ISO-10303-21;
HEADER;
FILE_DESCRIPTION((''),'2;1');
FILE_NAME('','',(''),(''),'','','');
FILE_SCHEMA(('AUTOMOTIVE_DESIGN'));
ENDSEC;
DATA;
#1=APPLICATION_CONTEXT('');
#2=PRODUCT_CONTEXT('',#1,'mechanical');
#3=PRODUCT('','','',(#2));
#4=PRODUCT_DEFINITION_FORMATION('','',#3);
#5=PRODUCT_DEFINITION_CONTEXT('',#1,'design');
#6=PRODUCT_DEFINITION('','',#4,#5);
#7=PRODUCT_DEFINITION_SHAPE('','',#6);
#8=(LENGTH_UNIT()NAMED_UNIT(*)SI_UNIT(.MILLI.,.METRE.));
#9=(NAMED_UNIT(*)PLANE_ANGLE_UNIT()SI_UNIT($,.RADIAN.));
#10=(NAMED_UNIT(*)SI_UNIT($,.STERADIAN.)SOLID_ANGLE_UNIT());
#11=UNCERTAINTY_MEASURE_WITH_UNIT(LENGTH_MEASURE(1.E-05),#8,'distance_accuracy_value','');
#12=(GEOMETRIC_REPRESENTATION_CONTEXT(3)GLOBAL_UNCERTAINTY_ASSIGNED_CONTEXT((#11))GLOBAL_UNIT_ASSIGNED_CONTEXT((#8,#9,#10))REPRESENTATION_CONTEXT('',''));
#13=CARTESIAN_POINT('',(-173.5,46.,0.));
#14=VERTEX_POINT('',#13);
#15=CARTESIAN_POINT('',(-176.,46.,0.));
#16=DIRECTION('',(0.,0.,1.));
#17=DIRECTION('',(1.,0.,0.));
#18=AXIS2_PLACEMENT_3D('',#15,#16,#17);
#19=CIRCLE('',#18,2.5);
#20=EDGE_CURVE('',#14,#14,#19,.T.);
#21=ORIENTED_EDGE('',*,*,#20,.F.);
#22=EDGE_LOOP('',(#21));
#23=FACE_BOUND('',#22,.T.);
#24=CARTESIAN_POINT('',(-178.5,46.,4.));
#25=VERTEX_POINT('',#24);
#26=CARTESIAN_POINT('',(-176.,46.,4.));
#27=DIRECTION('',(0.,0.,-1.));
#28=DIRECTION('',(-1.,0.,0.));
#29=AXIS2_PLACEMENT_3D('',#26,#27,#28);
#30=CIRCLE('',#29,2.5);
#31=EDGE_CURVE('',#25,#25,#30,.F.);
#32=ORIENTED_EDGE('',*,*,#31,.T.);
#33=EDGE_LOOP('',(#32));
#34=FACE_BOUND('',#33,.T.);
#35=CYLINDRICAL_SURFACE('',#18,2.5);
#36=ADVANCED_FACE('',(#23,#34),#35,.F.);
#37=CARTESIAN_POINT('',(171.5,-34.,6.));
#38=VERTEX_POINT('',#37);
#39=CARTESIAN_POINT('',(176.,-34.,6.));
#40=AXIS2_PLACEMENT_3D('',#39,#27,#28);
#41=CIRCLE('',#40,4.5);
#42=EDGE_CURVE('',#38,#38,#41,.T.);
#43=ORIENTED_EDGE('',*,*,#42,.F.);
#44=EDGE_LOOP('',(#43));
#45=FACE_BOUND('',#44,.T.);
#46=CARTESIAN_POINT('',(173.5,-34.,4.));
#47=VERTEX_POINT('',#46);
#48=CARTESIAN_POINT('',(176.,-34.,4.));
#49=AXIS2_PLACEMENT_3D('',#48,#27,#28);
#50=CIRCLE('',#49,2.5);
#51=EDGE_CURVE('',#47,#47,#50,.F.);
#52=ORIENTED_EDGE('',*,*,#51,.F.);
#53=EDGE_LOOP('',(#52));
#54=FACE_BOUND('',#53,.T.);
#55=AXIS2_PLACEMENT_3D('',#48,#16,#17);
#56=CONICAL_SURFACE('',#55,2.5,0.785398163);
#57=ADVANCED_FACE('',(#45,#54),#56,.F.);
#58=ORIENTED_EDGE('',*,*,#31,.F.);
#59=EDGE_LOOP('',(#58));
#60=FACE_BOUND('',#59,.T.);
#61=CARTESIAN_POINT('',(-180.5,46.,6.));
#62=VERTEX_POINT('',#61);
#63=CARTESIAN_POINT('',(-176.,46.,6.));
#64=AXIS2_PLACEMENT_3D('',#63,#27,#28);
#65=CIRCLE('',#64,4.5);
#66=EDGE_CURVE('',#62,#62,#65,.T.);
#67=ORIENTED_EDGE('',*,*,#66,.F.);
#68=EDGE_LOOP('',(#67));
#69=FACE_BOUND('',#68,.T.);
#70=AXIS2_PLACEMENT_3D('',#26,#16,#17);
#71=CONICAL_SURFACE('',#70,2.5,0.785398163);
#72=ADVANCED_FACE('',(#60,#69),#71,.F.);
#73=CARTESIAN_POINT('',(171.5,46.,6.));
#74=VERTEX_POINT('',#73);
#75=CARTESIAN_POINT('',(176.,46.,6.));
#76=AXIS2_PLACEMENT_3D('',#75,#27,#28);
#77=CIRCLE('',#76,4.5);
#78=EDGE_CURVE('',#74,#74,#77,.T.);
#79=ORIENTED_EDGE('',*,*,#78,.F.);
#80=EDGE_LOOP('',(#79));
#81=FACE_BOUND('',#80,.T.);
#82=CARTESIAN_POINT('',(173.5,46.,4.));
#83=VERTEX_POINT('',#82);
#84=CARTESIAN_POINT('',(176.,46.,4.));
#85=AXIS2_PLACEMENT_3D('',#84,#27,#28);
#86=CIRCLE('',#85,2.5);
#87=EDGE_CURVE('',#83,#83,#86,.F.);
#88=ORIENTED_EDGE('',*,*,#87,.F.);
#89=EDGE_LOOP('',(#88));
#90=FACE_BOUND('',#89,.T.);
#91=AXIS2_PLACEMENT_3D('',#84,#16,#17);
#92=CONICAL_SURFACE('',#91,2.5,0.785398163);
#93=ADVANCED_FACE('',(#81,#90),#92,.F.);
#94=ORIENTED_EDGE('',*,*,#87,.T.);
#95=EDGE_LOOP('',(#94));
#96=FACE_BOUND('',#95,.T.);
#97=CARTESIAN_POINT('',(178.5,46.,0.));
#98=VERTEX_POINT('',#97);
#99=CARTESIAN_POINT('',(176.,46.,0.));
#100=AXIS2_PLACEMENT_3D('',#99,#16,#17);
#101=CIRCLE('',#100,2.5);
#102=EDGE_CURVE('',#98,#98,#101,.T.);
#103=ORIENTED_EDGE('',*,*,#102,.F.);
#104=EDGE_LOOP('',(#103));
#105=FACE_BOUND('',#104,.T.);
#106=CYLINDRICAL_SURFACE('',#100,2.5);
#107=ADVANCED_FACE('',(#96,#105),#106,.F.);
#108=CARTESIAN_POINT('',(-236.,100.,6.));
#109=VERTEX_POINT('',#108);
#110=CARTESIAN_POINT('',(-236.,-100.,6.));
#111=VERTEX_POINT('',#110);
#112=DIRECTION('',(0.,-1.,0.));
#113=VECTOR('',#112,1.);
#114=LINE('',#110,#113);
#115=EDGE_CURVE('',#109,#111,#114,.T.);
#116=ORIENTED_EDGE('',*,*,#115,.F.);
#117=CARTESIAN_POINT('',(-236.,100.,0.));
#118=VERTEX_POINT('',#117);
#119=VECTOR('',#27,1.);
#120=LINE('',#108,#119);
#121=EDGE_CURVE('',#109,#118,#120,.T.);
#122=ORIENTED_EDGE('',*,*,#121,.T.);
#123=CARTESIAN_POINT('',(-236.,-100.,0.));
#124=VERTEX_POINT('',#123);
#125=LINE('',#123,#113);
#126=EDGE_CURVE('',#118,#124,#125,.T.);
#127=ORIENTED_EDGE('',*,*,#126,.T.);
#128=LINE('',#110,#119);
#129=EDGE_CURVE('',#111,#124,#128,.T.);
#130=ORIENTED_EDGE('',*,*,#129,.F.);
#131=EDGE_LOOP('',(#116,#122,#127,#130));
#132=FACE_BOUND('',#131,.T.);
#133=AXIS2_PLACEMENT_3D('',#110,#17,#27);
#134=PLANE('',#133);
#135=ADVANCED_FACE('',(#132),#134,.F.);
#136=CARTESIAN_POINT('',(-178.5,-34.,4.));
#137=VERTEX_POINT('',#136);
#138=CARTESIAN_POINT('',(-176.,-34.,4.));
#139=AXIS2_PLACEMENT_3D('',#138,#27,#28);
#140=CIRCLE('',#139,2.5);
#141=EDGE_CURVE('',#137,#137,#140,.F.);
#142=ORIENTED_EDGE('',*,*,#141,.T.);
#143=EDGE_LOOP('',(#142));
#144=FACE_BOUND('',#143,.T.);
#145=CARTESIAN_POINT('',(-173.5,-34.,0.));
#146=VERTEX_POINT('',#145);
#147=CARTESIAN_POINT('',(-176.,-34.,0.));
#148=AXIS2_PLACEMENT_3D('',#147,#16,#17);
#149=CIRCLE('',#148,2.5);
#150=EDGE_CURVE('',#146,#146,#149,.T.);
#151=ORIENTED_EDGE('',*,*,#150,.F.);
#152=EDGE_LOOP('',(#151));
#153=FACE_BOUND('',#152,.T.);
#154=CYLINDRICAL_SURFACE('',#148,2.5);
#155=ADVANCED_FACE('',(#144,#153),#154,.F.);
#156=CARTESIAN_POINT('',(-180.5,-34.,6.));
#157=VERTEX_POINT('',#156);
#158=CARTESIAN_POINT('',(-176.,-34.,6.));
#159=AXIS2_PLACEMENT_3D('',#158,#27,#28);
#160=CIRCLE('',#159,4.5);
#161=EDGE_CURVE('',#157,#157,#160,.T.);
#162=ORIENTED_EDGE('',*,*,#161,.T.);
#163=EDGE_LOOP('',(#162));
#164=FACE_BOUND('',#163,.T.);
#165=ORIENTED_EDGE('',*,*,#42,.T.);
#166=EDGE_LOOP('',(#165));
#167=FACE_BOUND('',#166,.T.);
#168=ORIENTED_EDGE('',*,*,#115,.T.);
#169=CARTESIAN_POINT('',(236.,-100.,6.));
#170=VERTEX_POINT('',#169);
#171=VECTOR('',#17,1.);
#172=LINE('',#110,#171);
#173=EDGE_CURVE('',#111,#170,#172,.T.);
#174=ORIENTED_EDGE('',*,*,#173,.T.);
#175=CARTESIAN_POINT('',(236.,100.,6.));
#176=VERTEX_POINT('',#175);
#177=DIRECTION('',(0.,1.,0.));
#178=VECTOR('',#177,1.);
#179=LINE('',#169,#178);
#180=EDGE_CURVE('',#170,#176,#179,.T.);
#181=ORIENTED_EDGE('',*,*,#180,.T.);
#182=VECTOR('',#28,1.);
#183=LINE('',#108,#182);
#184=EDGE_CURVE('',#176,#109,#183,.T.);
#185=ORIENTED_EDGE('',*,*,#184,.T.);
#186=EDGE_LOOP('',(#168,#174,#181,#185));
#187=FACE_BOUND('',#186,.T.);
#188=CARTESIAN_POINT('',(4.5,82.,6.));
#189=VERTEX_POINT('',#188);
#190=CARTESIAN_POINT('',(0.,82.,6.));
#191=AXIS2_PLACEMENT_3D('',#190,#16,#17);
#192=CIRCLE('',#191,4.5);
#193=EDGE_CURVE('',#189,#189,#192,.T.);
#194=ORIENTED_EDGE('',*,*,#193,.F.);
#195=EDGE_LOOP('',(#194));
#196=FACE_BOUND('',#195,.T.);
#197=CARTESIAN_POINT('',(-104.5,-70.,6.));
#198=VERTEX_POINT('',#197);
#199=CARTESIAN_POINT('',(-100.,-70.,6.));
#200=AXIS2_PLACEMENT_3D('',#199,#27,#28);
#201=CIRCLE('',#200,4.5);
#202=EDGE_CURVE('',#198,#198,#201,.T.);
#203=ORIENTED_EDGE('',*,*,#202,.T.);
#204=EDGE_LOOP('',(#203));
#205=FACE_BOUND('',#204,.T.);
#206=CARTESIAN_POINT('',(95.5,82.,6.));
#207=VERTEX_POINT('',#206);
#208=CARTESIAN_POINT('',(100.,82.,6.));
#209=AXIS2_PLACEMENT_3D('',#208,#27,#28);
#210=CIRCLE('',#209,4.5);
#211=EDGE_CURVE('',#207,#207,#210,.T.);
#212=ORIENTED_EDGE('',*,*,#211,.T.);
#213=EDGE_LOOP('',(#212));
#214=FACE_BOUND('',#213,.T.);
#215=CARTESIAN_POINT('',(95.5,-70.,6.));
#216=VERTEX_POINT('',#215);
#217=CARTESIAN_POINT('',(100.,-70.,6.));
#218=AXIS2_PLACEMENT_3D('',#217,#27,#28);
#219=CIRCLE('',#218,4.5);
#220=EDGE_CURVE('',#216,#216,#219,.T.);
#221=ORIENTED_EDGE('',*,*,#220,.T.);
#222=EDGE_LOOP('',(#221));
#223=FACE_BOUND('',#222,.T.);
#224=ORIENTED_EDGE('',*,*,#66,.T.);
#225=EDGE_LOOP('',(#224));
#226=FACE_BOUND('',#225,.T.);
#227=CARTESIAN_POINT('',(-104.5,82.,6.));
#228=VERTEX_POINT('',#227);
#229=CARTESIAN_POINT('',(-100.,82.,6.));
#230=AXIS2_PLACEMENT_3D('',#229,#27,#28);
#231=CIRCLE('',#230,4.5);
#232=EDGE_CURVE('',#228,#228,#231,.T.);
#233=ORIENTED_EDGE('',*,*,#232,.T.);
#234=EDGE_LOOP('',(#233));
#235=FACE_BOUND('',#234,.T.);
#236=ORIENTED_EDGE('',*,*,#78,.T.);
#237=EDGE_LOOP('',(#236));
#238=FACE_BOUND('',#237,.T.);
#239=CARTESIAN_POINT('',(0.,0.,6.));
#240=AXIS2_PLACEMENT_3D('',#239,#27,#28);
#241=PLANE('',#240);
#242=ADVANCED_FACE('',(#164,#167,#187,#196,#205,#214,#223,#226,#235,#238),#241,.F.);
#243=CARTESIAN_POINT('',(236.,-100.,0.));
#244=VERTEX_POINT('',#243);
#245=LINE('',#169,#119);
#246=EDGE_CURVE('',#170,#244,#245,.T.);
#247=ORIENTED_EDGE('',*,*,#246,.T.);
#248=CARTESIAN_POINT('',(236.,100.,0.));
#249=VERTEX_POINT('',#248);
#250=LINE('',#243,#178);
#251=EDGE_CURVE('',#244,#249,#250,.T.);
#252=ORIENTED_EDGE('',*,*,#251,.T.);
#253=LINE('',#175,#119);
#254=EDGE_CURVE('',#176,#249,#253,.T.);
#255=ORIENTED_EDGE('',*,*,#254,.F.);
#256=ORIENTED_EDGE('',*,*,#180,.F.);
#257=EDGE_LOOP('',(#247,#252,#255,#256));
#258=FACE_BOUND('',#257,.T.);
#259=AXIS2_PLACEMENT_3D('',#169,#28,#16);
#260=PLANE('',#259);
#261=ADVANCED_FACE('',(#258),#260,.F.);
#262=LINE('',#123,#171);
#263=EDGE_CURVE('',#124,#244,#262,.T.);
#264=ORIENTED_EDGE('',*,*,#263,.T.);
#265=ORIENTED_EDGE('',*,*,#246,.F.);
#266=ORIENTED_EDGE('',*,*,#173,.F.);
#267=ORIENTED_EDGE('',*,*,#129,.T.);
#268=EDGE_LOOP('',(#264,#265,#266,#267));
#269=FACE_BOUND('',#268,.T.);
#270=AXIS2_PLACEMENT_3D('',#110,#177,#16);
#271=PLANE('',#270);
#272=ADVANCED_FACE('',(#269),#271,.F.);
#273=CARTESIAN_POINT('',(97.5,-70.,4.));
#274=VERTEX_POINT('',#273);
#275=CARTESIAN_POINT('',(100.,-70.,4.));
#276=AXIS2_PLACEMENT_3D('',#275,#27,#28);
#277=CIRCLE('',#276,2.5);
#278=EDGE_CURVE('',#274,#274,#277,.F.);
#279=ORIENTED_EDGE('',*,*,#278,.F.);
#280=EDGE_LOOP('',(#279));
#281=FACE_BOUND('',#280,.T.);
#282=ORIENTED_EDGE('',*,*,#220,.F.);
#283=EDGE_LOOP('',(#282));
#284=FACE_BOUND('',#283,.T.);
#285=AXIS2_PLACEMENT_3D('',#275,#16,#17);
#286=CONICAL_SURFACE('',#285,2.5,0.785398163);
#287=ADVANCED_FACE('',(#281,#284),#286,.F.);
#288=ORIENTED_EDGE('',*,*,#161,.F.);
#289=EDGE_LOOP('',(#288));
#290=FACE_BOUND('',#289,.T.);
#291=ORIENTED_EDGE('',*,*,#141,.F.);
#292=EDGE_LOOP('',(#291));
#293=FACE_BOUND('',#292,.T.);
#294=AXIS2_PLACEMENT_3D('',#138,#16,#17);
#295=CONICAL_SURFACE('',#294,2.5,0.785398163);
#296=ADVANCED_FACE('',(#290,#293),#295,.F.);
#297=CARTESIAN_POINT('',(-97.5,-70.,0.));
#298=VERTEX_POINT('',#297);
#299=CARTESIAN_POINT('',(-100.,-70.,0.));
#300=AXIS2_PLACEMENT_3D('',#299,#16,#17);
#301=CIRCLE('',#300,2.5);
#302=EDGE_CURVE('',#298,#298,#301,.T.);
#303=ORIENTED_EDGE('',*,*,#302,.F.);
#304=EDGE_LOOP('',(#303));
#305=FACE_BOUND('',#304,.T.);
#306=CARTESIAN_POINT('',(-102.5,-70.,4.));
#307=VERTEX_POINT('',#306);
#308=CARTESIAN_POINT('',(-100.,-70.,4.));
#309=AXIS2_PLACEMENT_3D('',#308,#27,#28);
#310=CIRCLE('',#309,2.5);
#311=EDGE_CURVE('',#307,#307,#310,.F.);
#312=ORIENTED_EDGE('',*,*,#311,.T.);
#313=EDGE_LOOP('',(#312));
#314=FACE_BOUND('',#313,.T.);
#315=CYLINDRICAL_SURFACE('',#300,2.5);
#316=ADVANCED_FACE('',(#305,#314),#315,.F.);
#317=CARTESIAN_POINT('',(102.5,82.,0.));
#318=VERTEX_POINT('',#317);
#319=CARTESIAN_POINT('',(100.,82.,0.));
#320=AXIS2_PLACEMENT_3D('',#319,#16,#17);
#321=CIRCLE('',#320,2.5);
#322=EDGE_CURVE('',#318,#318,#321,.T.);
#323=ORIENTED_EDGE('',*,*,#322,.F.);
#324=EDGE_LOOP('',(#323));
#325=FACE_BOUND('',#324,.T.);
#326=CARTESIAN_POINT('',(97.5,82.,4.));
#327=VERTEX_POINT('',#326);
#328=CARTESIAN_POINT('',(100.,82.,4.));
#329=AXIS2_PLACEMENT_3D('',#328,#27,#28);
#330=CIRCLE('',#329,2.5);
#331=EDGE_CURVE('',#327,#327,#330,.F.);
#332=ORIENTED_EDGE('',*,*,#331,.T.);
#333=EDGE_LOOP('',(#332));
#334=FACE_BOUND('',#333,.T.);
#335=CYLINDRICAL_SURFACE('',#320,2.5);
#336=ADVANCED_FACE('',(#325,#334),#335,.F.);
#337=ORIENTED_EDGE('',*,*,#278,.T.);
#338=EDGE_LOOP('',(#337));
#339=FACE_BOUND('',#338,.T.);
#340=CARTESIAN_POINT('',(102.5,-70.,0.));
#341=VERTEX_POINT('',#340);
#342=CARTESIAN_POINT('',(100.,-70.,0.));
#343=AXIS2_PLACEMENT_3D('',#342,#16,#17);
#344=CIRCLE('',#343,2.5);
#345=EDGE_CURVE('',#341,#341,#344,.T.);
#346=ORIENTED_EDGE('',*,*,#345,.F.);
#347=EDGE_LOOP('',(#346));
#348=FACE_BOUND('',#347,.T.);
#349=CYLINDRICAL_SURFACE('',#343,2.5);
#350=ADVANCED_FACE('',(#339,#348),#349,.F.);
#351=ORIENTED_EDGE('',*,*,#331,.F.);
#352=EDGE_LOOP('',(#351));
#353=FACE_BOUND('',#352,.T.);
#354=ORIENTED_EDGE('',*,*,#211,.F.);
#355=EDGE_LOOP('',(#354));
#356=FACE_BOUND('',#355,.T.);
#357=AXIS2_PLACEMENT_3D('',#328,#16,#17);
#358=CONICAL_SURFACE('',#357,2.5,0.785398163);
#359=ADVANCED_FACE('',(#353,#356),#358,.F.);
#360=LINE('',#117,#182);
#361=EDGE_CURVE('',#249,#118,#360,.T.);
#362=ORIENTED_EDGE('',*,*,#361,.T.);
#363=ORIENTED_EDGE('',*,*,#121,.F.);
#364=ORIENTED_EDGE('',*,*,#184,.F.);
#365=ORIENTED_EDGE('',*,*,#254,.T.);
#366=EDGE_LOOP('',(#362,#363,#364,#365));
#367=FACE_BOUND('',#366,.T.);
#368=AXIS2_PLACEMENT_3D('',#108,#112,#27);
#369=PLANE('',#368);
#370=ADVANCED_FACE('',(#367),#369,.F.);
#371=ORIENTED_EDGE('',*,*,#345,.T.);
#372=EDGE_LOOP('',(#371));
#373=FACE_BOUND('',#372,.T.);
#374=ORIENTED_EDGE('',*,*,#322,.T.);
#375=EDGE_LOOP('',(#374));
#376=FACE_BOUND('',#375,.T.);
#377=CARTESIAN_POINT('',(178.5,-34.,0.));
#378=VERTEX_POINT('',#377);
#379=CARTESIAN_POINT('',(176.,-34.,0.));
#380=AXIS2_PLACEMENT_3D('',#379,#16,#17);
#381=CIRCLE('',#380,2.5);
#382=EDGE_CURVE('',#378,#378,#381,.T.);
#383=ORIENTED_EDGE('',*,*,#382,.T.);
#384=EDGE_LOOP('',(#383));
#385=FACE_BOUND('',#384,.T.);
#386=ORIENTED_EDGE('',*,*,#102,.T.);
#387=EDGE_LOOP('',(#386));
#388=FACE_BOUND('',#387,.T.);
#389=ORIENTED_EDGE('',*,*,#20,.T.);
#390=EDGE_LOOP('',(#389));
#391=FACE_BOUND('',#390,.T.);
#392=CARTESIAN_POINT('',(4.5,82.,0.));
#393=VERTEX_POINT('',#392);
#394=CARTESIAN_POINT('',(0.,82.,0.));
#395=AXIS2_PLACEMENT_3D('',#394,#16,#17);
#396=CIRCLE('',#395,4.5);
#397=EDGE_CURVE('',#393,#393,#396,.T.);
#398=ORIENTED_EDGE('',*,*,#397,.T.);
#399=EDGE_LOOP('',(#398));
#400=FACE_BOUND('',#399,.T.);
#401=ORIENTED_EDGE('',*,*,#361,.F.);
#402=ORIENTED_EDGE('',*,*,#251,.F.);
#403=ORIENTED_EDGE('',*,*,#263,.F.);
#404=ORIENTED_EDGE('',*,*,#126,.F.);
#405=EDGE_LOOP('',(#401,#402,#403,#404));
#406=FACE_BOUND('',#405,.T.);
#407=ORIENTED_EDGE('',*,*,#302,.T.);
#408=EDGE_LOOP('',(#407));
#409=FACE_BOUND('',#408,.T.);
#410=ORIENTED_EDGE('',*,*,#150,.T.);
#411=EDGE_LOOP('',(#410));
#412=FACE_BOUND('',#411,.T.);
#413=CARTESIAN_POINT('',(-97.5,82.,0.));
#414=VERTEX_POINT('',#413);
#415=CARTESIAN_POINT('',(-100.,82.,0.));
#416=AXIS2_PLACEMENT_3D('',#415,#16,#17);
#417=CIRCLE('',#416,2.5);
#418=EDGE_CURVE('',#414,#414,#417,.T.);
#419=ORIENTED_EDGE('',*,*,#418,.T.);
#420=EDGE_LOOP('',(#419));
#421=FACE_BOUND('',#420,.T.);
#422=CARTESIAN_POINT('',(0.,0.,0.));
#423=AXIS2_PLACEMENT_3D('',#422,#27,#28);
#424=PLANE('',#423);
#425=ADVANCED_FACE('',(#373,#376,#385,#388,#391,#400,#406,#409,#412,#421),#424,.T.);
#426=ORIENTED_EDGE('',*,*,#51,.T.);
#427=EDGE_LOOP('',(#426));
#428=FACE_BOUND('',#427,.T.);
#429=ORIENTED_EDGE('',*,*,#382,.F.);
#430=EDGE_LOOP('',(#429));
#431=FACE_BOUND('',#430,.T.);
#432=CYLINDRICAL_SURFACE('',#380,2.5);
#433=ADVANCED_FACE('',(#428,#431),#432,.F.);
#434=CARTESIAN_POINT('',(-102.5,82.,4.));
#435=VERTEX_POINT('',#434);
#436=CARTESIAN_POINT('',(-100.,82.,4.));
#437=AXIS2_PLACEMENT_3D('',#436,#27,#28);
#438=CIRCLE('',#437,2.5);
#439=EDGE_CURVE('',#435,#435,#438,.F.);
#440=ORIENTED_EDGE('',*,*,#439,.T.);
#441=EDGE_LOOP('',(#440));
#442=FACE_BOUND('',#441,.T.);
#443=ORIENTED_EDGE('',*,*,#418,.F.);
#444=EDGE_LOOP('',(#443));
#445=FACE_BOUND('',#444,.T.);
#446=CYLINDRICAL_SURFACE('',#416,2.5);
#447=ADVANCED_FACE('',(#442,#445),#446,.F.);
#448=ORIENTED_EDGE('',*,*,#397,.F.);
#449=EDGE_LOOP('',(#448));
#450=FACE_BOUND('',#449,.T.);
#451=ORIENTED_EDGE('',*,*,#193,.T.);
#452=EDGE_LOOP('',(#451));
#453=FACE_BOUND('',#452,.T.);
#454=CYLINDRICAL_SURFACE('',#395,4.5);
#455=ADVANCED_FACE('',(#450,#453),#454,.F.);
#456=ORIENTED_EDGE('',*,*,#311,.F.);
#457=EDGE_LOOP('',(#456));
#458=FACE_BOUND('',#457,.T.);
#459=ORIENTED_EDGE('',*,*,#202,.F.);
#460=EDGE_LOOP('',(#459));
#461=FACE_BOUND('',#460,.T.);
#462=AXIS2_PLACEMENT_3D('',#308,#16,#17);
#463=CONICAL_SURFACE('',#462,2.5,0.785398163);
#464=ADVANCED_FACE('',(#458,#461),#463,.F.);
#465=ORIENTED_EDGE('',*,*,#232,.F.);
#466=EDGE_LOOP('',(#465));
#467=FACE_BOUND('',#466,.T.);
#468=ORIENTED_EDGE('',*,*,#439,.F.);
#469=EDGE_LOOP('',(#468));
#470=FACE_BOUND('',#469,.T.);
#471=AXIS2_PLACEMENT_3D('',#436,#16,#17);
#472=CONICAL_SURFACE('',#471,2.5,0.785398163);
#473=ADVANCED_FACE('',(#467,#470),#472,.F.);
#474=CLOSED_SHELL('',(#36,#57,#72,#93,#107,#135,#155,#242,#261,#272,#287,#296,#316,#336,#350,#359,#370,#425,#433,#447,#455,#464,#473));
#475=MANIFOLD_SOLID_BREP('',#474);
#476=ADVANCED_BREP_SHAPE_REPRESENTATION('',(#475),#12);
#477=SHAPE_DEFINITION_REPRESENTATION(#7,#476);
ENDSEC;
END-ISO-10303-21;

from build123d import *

# Parameters (mm, degrees)
ESQUISSE1_W             = 472
ESQUISSE1_H             = 200
BOSS_EXTRU_1_DEPTH      = 6
ESQUISSE2_R             = 2.5
ENL_V_MAT_EXTRU_1_DEPTH = 257.382526706
CHANFREIN1_SIZE         = 2
ESQUISSE4_R             = 4.5
ENL_V_MAT_EXTRU_2_DEPTH = 257.382526706


with BuildPart() as part:
    # Esquisse1 → Boss.-Extru.1 (new body)
    with BuildSketch(Plane.XY):
        Rectangle(ESQUISSE1_W, ESQUISSE1_H)
    extrude(amount=BOSS_EXTRU_1_DEPTH)

    # Esquisse2 → Enlèv. mat.-Extru.1 (cut, through all)
    with BuildSketch(Plane.XY.offset(6)):
        with Locations((100, -70)):
            Circle(ESQUISSE2_R)
        with Locations((-100, -70)):
            Circle(ESQUISSE2_R)
        with Locations((-100, 82)):
            Circle(ESQUISSE2_R)
        with Locations((100, 82)):
            Circle(ESQUISSE2_R)
        with Locations((176, -34)):
            Circle(ESQUISSE2_R)
        with Locations((176, 46)):
            Circle(ESQUISSE2_R)
        with Locations((-176, 46)):
            Circle(ESQUISSE2_R)
        with Locations((-176, -34)):
            Circle(ESQUISSE2_R)
    extrude(amount=-ENL_V_MAT_EXTRU_1_DEPTH, mode=Mode.SUBTRACT)

    # Chanfrein1
    chanfrein1_edges = [part.edges().sort_by_distance(p)[0] for p in [
        (-102.5, -70, 6),
        (-102.5, 82, 6),
        (97.5, 82, 6),
        (173.5, 46, 6),
        (-178.5, -34, 6),
        (-178.5, 46, 6),
        (173.5, -34, 6),
        (97.5, -70, 6),
    ]]
    chamfer(chanfrein1_edges, length=CHANFREIN1_SIZE)

    # Esquisse4 → Enlèv. mat.-Extru.2 (cut, through all)
    with BuildSketch(Plane.XY.offset(6)):
        with Locations((0, 82)):
            Circle(ESQUISSE4_R)
    extrude(amount=-ENL_V_MAT_EXTRU_2_DEPTH, mode=Mode.SUBTRACT)


solid = part.part
